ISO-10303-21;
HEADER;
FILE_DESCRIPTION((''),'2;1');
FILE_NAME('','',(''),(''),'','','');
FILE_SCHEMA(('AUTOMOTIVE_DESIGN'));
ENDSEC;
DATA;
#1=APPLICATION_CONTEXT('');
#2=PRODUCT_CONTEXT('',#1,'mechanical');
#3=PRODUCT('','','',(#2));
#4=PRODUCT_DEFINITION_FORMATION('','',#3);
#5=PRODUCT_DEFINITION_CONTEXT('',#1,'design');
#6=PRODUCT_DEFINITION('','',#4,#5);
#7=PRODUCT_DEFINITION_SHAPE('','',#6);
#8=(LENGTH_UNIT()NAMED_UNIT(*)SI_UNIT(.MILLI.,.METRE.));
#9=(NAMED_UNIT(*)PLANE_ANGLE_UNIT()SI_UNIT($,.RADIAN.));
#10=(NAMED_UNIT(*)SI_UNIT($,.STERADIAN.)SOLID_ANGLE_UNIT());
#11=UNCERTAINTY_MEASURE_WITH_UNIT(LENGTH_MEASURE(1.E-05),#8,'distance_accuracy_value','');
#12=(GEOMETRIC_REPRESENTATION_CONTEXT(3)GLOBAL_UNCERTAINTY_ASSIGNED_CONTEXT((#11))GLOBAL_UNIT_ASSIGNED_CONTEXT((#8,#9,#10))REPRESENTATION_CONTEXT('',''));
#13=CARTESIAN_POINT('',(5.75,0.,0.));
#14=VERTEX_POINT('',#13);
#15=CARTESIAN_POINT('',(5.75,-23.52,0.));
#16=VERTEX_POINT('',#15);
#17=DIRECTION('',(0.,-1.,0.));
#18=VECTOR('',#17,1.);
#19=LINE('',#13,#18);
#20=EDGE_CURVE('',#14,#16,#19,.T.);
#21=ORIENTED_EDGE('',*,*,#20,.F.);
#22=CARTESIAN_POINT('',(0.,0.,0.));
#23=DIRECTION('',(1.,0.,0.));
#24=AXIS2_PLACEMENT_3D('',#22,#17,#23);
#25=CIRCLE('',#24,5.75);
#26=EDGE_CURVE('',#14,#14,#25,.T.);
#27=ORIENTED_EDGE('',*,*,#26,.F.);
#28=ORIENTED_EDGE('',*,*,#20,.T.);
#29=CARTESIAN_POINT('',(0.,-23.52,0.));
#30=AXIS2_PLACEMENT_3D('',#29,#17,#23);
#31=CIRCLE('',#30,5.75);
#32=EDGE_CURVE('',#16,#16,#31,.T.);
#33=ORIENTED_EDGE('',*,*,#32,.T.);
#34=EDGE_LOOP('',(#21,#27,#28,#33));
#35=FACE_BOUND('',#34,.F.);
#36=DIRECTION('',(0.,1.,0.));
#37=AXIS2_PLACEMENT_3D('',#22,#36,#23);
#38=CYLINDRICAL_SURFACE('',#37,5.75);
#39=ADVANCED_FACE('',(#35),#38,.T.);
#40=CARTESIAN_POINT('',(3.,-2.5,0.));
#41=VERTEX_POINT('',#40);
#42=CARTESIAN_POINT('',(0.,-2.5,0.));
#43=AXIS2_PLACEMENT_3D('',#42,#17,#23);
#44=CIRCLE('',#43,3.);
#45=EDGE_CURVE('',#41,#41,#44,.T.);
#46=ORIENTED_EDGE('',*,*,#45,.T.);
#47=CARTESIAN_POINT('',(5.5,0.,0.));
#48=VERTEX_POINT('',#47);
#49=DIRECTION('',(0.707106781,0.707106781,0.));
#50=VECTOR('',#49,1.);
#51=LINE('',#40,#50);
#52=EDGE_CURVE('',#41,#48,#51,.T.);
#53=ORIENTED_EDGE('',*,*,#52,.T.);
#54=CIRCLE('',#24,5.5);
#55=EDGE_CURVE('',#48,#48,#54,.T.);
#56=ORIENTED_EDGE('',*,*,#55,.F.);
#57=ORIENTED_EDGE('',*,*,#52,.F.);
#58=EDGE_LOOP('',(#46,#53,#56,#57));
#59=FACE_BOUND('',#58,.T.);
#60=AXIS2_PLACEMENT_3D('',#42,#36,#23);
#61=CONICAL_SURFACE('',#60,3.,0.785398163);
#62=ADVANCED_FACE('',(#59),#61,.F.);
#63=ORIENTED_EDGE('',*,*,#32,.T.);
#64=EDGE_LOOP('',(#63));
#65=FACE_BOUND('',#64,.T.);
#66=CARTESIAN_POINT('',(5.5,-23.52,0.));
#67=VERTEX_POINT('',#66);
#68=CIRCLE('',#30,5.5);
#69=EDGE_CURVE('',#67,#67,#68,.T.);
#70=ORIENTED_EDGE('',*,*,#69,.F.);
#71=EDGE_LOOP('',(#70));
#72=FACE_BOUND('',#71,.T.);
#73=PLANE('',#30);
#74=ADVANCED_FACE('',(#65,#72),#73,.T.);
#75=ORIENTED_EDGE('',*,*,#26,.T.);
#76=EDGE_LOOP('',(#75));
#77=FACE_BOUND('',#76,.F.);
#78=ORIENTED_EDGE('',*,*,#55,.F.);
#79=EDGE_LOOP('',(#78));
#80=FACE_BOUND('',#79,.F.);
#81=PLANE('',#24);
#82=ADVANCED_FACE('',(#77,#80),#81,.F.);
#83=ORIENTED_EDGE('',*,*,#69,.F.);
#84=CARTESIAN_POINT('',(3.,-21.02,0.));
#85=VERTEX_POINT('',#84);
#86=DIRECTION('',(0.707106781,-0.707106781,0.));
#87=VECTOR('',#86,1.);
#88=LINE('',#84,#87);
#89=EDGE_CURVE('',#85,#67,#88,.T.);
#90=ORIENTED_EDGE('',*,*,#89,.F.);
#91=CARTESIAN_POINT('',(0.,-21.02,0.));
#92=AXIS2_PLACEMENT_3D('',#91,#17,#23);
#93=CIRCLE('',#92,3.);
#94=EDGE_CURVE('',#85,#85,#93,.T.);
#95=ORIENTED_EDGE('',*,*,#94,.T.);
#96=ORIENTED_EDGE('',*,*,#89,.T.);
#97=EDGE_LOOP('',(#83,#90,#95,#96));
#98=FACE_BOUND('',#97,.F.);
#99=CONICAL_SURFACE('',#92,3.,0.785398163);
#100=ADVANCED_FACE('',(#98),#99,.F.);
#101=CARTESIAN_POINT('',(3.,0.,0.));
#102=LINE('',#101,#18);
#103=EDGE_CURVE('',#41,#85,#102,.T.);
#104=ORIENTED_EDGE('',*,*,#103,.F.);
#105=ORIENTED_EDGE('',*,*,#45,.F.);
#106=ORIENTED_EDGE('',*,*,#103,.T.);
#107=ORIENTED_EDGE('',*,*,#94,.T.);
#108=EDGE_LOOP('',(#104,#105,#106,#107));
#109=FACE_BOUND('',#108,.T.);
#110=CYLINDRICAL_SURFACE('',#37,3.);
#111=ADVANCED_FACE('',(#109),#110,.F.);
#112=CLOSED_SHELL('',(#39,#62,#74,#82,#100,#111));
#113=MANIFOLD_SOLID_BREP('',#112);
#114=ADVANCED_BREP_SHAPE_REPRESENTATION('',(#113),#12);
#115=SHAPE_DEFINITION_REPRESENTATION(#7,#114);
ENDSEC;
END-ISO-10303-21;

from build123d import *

# Parameters (mm, degrees)
F0_R     = 5.75
F0_R_2   = 3
F1_DEPTH = 23.52
F2_SIZE  = 2.5


with BuildPart() as f1:
    # F0 (on Front) → F1 (new body)
    with BuildSketch(Plane.XZ):
        Circle(F0_R)
        Circle(F0_R_2, mode=Mode.SUBTRACT)
    extrude(amount=F1_DEPTH)

    # F2
    f2_edges = [f1.edges().sort_by_distance(p)[0] for p in [
        (3, -11.76, 0),
        (-3, 0, 0),
        (-3, -23.52, 0),
    ]]
    chamfer(f2_edges, length=F2_SIZE)


solid = f1.part
